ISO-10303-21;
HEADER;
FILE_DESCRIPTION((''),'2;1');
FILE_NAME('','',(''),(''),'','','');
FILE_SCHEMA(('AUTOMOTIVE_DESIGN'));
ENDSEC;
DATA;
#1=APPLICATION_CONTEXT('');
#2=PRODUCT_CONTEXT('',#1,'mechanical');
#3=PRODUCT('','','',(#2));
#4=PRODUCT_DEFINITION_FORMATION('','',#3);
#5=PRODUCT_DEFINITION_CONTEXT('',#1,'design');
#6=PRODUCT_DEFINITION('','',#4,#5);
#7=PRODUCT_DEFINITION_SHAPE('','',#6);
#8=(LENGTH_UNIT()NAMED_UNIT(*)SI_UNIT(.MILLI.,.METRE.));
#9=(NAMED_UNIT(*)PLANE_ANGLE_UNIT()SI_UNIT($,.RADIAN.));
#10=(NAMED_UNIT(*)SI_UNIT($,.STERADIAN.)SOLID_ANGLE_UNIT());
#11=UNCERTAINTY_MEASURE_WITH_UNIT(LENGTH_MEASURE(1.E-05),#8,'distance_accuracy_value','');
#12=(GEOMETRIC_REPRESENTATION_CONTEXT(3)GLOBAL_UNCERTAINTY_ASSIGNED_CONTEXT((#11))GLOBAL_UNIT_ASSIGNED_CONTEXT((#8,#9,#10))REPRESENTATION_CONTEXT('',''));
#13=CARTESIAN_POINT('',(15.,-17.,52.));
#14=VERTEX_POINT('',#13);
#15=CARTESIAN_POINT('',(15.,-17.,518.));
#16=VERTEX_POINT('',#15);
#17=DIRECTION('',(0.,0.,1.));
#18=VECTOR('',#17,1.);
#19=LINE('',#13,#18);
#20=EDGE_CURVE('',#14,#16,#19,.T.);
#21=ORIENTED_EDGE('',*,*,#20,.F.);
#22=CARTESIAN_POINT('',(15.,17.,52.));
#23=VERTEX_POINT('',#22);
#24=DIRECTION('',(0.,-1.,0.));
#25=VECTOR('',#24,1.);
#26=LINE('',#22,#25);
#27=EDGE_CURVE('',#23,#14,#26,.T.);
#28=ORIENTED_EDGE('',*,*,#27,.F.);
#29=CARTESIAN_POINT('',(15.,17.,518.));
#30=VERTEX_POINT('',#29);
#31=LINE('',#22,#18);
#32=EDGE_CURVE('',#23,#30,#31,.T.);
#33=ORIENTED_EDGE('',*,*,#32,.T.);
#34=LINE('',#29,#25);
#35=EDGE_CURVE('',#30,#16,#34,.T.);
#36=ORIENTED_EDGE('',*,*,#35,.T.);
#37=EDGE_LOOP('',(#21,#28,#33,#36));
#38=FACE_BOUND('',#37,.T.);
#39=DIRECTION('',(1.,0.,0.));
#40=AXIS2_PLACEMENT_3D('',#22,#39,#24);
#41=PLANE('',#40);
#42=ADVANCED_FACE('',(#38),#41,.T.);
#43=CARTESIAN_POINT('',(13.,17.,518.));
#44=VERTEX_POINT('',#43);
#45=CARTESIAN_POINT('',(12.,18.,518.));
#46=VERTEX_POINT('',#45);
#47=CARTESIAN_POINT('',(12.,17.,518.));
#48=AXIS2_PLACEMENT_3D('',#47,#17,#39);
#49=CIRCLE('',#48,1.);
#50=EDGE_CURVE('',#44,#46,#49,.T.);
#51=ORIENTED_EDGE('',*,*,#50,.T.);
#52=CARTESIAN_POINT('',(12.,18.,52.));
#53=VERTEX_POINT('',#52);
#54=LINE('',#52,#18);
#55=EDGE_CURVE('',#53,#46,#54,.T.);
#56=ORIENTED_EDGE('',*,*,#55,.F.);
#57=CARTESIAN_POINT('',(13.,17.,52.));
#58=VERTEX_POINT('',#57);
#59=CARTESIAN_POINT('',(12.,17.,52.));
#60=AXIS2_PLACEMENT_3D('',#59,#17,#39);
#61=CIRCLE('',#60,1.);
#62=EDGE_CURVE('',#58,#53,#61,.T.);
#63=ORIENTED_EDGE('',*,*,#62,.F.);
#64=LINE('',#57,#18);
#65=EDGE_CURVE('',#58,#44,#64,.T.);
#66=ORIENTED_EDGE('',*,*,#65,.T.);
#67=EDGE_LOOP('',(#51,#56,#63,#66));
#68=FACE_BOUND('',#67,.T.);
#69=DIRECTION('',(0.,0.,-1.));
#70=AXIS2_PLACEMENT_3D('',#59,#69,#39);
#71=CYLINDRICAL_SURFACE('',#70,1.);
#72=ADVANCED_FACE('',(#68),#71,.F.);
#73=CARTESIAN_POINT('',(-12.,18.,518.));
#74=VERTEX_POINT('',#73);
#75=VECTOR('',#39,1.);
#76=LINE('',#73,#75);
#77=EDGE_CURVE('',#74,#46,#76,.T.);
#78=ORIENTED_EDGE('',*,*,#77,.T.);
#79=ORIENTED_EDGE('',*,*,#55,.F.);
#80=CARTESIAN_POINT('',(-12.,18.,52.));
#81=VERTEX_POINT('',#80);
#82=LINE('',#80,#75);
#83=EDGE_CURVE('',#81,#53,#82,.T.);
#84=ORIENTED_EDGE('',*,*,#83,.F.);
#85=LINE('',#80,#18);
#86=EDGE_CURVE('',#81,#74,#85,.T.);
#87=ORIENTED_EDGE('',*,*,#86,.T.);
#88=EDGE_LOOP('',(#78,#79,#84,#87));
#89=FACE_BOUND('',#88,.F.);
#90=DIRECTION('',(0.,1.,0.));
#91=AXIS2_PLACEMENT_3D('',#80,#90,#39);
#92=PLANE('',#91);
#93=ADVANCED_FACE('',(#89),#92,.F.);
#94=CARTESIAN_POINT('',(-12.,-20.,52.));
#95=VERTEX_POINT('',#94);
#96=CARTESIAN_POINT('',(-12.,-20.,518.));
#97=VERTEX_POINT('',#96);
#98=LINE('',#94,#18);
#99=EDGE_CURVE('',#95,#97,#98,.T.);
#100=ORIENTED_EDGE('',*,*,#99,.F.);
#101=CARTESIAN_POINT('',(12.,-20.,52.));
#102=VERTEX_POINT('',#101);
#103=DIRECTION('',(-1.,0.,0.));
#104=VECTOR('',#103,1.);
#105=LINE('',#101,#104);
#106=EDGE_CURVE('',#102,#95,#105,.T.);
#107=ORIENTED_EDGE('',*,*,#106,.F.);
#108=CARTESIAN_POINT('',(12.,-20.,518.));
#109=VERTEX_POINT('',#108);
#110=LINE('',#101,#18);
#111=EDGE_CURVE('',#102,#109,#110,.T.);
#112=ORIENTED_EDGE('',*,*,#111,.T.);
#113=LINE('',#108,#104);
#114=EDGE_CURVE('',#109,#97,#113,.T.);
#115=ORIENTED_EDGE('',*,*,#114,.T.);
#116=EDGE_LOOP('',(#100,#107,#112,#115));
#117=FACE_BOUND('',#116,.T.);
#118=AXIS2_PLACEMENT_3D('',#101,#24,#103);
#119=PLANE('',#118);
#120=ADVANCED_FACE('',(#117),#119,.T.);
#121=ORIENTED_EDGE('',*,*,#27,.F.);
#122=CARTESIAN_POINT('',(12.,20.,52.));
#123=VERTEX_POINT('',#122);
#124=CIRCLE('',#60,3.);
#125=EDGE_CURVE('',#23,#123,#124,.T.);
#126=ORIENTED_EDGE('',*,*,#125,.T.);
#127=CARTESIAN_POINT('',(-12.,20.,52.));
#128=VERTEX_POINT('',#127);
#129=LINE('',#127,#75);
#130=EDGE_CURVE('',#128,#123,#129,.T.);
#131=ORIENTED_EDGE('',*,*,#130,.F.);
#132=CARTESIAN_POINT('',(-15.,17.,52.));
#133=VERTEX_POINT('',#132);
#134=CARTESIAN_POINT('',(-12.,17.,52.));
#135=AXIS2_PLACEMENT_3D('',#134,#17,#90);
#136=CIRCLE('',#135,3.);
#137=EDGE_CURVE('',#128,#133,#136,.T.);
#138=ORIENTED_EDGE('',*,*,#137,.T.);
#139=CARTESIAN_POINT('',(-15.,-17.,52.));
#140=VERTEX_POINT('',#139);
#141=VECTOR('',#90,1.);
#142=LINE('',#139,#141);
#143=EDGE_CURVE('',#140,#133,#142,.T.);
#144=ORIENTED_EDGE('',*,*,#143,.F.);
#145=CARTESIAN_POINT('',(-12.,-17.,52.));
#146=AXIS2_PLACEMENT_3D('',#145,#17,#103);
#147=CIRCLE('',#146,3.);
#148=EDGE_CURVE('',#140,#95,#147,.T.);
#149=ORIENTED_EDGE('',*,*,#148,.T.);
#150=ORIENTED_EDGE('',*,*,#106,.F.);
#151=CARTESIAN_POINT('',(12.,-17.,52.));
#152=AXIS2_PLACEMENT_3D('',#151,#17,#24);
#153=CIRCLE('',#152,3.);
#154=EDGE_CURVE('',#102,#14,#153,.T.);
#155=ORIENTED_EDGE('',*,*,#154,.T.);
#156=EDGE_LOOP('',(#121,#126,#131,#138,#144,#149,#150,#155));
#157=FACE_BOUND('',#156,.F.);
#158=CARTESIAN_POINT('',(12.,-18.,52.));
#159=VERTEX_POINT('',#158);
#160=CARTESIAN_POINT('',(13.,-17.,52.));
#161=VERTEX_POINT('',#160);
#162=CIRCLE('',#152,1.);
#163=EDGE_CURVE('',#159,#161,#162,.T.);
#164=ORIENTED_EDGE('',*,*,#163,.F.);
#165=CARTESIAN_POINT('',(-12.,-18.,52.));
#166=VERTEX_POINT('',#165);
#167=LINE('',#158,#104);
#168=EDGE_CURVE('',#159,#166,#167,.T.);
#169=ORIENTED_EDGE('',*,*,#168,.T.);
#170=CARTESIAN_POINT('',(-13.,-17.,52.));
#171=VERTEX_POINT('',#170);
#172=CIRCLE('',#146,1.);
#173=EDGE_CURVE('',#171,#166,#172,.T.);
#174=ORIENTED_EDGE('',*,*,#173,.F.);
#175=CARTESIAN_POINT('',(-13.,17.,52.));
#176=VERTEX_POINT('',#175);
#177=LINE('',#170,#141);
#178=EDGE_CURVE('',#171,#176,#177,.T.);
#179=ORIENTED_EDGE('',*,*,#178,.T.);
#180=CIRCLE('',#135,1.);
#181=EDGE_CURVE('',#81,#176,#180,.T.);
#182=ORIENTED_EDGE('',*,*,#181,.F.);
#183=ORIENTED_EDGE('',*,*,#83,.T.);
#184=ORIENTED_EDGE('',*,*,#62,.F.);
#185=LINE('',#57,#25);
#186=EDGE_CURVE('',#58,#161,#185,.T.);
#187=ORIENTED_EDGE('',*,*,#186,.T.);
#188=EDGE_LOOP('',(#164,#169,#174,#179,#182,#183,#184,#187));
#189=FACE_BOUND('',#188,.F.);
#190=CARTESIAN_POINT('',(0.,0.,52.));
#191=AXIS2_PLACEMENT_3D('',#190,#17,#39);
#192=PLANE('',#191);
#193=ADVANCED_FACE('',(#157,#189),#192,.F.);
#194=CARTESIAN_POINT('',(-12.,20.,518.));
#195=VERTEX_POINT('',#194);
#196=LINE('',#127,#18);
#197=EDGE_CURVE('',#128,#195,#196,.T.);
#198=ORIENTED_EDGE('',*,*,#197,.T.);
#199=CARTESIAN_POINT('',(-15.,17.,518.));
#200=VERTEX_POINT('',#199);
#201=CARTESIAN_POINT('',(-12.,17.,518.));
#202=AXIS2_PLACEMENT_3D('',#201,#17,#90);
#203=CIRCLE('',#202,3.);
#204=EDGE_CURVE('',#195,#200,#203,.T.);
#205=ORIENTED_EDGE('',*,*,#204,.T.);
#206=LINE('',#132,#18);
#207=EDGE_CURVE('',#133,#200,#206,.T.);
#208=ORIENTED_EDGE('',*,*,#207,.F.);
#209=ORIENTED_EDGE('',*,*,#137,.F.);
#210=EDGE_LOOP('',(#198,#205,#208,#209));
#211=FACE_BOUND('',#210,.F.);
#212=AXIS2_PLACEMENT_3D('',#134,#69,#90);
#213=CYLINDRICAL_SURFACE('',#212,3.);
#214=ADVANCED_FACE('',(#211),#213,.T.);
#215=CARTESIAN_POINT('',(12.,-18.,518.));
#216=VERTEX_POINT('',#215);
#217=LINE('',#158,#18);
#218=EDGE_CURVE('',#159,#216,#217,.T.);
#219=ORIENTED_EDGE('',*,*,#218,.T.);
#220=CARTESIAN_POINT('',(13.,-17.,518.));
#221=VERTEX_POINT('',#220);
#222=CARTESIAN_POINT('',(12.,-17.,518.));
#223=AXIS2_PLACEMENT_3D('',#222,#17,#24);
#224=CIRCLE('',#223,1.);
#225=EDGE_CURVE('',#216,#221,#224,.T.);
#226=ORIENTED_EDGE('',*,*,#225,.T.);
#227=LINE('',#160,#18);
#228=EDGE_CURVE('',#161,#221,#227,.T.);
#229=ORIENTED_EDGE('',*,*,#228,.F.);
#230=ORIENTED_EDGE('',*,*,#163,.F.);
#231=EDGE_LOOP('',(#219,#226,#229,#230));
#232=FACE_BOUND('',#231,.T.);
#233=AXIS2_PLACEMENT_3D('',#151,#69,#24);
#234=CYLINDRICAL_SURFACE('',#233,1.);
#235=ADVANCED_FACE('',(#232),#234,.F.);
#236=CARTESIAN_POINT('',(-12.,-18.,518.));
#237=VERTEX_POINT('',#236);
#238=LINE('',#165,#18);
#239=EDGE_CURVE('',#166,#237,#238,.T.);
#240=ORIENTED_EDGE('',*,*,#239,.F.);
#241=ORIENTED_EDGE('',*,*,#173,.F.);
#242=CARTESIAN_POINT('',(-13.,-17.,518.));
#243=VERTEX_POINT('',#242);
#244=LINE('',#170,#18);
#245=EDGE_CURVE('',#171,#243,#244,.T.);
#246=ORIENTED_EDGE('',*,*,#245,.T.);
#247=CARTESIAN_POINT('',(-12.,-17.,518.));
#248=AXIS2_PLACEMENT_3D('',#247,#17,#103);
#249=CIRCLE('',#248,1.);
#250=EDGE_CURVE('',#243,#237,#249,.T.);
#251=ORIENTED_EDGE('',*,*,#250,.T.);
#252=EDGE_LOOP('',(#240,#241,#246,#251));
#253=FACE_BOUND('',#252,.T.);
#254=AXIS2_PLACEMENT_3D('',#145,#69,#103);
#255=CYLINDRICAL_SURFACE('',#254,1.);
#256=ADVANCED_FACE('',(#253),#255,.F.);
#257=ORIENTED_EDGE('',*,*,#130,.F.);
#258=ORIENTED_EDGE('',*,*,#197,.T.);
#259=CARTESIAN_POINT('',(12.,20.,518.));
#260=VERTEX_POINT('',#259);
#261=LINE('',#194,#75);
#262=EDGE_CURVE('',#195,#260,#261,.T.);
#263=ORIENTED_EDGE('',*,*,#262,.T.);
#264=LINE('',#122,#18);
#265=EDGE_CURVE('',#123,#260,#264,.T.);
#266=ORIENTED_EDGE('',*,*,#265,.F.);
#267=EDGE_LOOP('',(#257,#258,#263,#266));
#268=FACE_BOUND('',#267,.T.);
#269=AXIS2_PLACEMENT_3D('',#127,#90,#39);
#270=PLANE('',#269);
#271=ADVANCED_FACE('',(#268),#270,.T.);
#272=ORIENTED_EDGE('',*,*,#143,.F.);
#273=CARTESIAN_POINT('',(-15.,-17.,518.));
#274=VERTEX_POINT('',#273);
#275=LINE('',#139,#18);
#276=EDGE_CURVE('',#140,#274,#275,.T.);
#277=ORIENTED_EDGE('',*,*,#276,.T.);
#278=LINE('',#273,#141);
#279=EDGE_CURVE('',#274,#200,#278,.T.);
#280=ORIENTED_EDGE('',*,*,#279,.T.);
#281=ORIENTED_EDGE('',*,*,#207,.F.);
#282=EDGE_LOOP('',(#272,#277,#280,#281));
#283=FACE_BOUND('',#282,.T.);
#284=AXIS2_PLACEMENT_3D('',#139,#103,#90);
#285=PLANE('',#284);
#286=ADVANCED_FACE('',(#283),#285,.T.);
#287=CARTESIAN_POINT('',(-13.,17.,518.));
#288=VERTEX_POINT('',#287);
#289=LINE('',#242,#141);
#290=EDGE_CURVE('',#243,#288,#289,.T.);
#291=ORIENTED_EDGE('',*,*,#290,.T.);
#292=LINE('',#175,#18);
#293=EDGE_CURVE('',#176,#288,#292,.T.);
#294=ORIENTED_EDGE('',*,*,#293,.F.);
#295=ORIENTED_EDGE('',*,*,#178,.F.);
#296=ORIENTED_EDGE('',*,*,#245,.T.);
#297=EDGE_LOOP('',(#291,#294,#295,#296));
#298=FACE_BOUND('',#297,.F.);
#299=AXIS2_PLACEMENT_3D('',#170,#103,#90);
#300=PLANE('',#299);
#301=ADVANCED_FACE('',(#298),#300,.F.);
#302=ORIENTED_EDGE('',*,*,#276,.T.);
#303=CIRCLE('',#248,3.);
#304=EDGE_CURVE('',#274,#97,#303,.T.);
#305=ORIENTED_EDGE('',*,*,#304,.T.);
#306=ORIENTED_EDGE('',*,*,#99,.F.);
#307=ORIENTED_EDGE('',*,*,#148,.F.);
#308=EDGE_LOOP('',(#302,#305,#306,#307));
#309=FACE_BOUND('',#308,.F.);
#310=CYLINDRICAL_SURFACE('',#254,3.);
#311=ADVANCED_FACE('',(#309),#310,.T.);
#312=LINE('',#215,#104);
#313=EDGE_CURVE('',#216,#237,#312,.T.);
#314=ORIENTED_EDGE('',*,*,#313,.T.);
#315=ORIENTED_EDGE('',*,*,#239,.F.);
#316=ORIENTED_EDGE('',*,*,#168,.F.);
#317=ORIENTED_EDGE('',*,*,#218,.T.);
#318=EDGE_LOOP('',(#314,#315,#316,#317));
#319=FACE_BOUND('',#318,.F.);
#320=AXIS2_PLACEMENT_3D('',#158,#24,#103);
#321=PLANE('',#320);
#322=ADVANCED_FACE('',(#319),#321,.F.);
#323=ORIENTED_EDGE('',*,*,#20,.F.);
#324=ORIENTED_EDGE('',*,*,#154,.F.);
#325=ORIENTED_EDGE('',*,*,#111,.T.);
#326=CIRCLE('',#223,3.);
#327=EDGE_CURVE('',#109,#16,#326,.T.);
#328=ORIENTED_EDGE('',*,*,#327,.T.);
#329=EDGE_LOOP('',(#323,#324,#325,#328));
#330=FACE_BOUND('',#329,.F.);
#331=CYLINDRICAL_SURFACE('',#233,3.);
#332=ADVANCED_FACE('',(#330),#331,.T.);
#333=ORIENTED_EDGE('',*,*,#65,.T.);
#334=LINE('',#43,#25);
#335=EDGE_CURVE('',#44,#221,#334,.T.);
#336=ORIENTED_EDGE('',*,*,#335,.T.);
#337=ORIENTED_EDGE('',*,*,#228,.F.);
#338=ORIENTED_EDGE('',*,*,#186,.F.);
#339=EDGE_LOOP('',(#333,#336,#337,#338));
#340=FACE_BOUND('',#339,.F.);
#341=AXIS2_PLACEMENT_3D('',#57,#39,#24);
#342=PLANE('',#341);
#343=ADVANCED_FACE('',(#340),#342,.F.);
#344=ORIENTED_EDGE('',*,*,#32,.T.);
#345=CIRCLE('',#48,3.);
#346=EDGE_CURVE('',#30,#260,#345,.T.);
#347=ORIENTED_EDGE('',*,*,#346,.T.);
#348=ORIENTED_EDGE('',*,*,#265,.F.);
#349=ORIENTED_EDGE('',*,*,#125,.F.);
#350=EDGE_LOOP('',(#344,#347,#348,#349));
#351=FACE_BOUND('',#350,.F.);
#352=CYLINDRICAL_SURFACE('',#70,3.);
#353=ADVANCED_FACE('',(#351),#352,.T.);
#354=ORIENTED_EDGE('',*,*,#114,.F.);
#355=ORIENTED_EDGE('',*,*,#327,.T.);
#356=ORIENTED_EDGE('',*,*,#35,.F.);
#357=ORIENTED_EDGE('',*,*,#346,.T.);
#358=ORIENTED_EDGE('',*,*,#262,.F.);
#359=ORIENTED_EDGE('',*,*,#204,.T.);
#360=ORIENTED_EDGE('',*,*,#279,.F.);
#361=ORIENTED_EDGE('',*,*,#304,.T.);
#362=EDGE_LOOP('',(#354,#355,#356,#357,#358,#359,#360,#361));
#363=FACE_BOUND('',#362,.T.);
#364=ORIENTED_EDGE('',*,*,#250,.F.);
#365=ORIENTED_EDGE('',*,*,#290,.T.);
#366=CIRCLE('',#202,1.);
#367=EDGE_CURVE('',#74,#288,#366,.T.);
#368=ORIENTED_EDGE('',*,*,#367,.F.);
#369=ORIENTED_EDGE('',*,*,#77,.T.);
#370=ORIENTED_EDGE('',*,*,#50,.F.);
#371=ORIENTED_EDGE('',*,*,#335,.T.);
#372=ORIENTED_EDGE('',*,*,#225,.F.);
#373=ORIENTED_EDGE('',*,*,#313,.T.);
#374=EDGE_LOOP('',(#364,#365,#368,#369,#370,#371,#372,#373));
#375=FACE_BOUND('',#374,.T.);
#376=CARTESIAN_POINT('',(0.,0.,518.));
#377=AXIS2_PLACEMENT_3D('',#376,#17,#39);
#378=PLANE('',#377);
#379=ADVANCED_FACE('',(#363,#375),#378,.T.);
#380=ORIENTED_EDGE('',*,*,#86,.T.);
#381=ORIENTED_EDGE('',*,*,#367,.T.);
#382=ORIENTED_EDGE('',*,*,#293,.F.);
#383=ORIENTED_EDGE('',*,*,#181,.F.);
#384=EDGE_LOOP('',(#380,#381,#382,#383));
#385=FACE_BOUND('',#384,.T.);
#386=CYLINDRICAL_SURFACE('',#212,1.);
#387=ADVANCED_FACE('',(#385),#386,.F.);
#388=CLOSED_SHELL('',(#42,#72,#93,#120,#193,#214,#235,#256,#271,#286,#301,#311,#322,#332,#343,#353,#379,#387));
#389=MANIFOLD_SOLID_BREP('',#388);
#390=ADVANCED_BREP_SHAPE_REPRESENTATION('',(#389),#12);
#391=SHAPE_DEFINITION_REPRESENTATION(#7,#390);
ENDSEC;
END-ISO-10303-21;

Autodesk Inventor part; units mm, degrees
ref_plane "Start plane" through (0, 0, 52) normal (0, 0, 1) x (1, 0, 0)
ref_plane "End plane" through (0, 0, 518) normal (0, 0, 1) x (1, 0, 0)
sketch "Sketch" plane through (0, 0, 0) normal (0, 0, 1) x (1, 0, 0)
  line L0 (-15, -17) -> (-15, 17)
  line L1 (-12, 20) -> (12, 20)
  line L2 (15, 17) -> (15, -17)
  line L3 (12, -20) -> (-12, -20)
  arc A0 (-15, -17) -> (-12, -20) centre (-12, -17) ccw
  arc A1 (-12, 20) -> (-15, 17) centre (-12, 17) ccw
  arc A2 (15, 17) -> (12, 20) centre (12, 17) ccw
  arc A3 (12, -20) -> (15, -17) centre (12, -17) ccw
  arc A4 (-12, 18) -> (-13, 17) centre (-12, 17) ccw
  line L4 (-12, 18) -> (12, 18)
  arc A5 (13, 17) -> (12, 18) centre (12, 17) ccw
  line L5 (13, 17) -> (13, -17)
  arc A6 (12, -18) -> (13, -17) centre (12, -17) ccw
  line L6 (12, -18) -> (-12, -18)
  arc A7 (-13, -17) -> (-12, -18) centre (-12, -17) ccw
  line L7 (-13, -17) -> (-13, 17)
  line L8 (0, 28.8698) -> (0, -28.8698) construction
  line L9 (-21.8698, 0) -> (21.8698, 0) construction
  dimension "d7" = 3
  dimension "d10" = 40
  dimension "d11" = 30
  dimension "d12" = 2
  dimension "d15" = 20
  dimension "d16" = 15
extrude "Body" add sketch "Sketch" along normal up to surface (466 mm away) from surface at 52
sketch "Sketch3" plane through (0, 0, 0) normal (0, 0, 1) x (1, 0, 0)
  line L0 (0, 0) -> (10, 0)
ref_plane "Work Plane3" through (0, 0, 0) normal (0, -1, 0) x (1, 0, 0)
sketch "Sketch4" plane through (0, 0, 0) normal (0, -1, 0) x (1, 0, 0)
  line L0 (-2, 52) -> (12, 52)
  line L1 (-2, 518) -> (12, 518)
  dimension "d18" = 466
ref_plane "Work Plane4" through (-1292, -17, 52) normal (0, 0, -1) x (-1, 0, 0)
split "Split1" plane through (-1292, -17, 52) removes the side toward (0, 0, -1)
equation "\"d7\" = G_IR"
equation "\"d10\" = G_H"
equation "\"d11\" = G_W"
equation "\"d12\" = G_T"
equation "\"d15\" = 0.5 * d10"
equation "\"d16\" = 0.5 * d11"
equation "\"d3\" = G_L"
equation "\"G_W\" = 30"
equation "\"G_H\" = 40"
equation "\"G_T\" = 2"
equation "\"G_IR\" = 3"
equation "\"G_L\" = d18"
equation "\"G_OFFSET_START\" = -52"
equation "\"G_OFFSET_END\" = 0"
equation "\"d13\" = -G_OFFSET_START"
equation "\"d14\" = G_OFFSET_END + B_L"
equation "\"B_L\" = 518"
properties part number "UNI EN 10305-5 - 40 x 30 x 2  - 466" material "Steel, Mild"
